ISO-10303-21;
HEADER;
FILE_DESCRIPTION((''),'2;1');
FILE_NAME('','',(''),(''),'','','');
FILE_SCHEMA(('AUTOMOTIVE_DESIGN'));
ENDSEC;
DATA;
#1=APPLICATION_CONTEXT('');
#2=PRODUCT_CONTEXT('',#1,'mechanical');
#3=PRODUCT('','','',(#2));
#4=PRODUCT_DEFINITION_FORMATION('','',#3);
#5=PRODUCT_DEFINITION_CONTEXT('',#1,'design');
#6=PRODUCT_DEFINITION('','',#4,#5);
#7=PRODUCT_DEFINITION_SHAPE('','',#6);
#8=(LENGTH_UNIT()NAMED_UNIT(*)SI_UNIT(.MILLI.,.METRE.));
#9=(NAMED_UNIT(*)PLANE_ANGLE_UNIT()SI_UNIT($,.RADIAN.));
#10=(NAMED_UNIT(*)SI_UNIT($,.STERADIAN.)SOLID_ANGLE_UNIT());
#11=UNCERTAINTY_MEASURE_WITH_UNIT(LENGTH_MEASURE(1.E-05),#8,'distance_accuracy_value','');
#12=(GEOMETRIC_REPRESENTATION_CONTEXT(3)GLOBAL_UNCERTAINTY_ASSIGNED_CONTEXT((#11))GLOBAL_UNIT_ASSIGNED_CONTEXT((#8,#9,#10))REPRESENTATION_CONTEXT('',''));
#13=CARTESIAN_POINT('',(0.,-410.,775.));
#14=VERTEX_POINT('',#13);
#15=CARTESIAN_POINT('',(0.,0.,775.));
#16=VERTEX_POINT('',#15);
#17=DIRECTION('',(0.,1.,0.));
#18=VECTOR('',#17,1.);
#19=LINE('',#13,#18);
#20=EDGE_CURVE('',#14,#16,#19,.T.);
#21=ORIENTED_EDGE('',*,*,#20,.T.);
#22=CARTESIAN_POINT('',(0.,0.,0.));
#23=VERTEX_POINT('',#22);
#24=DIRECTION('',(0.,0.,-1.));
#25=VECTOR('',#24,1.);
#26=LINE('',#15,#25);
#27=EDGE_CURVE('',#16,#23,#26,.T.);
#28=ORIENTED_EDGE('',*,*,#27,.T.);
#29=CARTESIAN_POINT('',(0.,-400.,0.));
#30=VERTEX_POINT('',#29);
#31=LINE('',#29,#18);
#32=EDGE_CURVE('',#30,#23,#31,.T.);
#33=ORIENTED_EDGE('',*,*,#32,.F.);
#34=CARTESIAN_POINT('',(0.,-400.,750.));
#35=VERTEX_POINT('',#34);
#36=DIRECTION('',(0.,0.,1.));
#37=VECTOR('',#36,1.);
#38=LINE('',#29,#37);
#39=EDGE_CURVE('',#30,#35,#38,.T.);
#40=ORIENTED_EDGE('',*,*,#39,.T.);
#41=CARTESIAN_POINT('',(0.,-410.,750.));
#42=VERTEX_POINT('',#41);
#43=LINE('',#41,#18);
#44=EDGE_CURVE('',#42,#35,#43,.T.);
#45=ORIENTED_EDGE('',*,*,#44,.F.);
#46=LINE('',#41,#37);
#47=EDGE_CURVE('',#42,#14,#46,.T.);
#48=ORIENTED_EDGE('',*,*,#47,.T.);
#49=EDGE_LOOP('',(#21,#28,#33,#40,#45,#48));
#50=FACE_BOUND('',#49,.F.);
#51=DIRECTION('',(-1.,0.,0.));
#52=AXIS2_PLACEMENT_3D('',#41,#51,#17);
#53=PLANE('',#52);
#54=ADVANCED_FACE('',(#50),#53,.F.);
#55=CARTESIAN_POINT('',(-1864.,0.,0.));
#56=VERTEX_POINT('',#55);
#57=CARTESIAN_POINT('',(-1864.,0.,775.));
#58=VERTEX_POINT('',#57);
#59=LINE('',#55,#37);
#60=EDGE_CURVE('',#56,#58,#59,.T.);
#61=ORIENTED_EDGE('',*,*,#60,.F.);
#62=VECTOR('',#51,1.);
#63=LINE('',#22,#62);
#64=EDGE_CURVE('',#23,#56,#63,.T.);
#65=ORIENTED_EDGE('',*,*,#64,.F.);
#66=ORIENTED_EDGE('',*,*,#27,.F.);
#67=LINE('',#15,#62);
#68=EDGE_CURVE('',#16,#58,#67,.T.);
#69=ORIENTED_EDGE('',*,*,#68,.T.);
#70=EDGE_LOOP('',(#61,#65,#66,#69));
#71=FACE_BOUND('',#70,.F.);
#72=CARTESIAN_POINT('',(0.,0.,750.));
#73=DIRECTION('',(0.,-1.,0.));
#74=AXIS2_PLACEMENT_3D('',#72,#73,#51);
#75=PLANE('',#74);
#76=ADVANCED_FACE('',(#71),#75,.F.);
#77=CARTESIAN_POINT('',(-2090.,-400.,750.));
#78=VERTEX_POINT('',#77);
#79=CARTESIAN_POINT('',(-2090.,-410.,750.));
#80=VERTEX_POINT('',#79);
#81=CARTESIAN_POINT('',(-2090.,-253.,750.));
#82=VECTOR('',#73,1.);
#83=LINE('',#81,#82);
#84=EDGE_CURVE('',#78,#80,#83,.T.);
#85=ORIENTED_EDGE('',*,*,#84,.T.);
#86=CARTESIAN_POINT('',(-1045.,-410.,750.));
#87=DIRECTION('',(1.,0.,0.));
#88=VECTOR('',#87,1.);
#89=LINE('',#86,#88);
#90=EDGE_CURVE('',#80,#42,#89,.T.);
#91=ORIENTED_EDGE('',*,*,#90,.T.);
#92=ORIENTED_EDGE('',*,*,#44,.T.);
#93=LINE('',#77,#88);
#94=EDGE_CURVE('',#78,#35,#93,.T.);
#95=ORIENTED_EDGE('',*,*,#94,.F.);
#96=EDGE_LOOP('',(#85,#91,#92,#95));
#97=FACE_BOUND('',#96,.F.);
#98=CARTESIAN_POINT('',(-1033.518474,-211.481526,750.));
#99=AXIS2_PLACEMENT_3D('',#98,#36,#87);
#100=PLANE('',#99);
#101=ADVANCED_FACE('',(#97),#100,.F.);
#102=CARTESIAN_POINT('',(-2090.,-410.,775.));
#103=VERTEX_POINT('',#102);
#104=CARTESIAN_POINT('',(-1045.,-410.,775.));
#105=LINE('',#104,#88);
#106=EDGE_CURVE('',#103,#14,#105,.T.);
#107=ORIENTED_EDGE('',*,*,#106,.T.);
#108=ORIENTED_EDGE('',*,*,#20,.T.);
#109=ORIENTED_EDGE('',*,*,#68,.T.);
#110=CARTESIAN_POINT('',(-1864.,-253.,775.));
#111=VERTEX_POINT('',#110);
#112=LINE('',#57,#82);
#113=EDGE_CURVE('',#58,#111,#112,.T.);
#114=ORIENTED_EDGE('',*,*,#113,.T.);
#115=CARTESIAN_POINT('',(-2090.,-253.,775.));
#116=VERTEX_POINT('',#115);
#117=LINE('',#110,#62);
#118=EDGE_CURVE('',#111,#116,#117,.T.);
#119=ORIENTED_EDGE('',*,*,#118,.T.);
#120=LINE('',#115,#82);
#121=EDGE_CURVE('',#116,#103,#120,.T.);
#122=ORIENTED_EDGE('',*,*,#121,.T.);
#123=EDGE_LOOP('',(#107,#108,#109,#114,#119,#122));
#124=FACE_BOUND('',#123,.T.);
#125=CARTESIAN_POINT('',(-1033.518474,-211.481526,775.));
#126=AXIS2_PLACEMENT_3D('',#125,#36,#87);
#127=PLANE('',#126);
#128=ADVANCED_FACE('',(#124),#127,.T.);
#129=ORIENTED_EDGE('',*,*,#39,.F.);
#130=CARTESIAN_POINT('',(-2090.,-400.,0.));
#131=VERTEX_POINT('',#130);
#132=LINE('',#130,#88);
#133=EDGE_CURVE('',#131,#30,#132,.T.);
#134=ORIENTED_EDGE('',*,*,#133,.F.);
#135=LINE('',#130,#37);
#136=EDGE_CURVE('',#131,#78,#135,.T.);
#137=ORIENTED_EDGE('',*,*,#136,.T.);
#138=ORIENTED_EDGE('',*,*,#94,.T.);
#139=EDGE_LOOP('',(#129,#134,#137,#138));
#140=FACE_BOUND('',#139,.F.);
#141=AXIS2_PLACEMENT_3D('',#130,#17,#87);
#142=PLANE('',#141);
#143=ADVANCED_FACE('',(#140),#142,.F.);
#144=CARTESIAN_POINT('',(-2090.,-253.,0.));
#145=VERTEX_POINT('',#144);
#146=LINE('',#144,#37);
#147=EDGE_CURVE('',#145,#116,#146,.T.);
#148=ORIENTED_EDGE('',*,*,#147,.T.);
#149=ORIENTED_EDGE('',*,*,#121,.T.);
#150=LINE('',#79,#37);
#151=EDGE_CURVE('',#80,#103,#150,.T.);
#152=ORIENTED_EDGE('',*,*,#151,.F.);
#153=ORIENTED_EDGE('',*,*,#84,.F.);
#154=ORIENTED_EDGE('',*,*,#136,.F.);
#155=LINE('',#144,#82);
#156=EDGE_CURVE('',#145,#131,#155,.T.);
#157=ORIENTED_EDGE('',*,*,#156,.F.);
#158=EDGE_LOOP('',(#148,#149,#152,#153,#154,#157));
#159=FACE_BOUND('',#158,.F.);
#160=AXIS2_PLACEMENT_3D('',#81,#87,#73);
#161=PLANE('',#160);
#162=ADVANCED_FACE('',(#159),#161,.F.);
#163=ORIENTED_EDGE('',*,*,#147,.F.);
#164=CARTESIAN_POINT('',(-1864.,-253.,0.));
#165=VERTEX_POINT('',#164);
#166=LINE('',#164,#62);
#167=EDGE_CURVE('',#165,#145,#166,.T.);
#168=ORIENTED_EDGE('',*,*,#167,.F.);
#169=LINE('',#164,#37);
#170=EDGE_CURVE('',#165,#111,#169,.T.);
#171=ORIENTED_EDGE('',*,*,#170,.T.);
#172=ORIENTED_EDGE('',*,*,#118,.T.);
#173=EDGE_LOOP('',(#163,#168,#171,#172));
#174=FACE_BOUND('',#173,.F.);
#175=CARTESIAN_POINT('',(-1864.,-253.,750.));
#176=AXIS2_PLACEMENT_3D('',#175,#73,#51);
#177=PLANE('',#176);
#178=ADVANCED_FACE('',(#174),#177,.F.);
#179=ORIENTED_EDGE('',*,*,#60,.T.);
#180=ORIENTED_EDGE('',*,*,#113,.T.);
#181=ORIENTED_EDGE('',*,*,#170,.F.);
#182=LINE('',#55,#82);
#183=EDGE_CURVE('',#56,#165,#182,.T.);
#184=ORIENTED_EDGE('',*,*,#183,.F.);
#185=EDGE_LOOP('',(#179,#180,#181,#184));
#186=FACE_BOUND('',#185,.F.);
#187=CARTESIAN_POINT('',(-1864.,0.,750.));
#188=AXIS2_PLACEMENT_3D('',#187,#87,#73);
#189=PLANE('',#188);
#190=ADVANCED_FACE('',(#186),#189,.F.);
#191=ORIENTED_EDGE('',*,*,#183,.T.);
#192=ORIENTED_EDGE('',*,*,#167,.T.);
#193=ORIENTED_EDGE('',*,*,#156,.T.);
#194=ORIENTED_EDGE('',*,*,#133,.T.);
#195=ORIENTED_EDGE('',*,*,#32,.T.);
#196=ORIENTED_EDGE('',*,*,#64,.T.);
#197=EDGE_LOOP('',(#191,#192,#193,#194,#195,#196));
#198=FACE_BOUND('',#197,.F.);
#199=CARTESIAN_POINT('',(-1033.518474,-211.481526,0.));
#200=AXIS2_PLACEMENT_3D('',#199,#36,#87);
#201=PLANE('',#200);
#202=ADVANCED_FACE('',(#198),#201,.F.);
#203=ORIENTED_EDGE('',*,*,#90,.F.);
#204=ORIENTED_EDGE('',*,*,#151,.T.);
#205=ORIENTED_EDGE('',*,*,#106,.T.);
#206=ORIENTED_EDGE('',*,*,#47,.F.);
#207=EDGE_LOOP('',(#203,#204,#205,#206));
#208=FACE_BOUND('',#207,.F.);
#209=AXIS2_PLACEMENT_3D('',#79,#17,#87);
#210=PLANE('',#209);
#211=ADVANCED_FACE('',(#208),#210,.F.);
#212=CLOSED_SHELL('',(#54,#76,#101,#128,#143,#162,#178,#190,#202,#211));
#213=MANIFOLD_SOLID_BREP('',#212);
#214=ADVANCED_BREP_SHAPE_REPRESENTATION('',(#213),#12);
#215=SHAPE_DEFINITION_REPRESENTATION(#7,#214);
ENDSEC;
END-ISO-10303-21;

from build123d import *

# Parameters (mm, degrees)
F1_DEPTH = 750
F2_W     = 2090
F2_H     = 10
F3_DEPTH = 25


with BuildPart() as f1:
    # F0 (on Top) → F1 (new body)
    with BuildSketch(Plane.XY):
        Polygon((0, -400), (0, 0), (-1864, 0), (-1864, -253), (-2090, -253), (-2090, -400), align=None)
    extrude(amount=F1_DEPTH)

    # F2 (on face) → F3 (join)
    with BuildSketch(Plane.XY.offset(750)):
        Polygon((0, 0), (-1864, 0), (-1864, -253), (-2090, -253), (-2090, -400), (0, -400), align=None)
        with Locations((-1045, -405)):
            Rectangle(F2_W, F2_H)
    extrude(amount=F3_DEPTH)


solid = f1.part
